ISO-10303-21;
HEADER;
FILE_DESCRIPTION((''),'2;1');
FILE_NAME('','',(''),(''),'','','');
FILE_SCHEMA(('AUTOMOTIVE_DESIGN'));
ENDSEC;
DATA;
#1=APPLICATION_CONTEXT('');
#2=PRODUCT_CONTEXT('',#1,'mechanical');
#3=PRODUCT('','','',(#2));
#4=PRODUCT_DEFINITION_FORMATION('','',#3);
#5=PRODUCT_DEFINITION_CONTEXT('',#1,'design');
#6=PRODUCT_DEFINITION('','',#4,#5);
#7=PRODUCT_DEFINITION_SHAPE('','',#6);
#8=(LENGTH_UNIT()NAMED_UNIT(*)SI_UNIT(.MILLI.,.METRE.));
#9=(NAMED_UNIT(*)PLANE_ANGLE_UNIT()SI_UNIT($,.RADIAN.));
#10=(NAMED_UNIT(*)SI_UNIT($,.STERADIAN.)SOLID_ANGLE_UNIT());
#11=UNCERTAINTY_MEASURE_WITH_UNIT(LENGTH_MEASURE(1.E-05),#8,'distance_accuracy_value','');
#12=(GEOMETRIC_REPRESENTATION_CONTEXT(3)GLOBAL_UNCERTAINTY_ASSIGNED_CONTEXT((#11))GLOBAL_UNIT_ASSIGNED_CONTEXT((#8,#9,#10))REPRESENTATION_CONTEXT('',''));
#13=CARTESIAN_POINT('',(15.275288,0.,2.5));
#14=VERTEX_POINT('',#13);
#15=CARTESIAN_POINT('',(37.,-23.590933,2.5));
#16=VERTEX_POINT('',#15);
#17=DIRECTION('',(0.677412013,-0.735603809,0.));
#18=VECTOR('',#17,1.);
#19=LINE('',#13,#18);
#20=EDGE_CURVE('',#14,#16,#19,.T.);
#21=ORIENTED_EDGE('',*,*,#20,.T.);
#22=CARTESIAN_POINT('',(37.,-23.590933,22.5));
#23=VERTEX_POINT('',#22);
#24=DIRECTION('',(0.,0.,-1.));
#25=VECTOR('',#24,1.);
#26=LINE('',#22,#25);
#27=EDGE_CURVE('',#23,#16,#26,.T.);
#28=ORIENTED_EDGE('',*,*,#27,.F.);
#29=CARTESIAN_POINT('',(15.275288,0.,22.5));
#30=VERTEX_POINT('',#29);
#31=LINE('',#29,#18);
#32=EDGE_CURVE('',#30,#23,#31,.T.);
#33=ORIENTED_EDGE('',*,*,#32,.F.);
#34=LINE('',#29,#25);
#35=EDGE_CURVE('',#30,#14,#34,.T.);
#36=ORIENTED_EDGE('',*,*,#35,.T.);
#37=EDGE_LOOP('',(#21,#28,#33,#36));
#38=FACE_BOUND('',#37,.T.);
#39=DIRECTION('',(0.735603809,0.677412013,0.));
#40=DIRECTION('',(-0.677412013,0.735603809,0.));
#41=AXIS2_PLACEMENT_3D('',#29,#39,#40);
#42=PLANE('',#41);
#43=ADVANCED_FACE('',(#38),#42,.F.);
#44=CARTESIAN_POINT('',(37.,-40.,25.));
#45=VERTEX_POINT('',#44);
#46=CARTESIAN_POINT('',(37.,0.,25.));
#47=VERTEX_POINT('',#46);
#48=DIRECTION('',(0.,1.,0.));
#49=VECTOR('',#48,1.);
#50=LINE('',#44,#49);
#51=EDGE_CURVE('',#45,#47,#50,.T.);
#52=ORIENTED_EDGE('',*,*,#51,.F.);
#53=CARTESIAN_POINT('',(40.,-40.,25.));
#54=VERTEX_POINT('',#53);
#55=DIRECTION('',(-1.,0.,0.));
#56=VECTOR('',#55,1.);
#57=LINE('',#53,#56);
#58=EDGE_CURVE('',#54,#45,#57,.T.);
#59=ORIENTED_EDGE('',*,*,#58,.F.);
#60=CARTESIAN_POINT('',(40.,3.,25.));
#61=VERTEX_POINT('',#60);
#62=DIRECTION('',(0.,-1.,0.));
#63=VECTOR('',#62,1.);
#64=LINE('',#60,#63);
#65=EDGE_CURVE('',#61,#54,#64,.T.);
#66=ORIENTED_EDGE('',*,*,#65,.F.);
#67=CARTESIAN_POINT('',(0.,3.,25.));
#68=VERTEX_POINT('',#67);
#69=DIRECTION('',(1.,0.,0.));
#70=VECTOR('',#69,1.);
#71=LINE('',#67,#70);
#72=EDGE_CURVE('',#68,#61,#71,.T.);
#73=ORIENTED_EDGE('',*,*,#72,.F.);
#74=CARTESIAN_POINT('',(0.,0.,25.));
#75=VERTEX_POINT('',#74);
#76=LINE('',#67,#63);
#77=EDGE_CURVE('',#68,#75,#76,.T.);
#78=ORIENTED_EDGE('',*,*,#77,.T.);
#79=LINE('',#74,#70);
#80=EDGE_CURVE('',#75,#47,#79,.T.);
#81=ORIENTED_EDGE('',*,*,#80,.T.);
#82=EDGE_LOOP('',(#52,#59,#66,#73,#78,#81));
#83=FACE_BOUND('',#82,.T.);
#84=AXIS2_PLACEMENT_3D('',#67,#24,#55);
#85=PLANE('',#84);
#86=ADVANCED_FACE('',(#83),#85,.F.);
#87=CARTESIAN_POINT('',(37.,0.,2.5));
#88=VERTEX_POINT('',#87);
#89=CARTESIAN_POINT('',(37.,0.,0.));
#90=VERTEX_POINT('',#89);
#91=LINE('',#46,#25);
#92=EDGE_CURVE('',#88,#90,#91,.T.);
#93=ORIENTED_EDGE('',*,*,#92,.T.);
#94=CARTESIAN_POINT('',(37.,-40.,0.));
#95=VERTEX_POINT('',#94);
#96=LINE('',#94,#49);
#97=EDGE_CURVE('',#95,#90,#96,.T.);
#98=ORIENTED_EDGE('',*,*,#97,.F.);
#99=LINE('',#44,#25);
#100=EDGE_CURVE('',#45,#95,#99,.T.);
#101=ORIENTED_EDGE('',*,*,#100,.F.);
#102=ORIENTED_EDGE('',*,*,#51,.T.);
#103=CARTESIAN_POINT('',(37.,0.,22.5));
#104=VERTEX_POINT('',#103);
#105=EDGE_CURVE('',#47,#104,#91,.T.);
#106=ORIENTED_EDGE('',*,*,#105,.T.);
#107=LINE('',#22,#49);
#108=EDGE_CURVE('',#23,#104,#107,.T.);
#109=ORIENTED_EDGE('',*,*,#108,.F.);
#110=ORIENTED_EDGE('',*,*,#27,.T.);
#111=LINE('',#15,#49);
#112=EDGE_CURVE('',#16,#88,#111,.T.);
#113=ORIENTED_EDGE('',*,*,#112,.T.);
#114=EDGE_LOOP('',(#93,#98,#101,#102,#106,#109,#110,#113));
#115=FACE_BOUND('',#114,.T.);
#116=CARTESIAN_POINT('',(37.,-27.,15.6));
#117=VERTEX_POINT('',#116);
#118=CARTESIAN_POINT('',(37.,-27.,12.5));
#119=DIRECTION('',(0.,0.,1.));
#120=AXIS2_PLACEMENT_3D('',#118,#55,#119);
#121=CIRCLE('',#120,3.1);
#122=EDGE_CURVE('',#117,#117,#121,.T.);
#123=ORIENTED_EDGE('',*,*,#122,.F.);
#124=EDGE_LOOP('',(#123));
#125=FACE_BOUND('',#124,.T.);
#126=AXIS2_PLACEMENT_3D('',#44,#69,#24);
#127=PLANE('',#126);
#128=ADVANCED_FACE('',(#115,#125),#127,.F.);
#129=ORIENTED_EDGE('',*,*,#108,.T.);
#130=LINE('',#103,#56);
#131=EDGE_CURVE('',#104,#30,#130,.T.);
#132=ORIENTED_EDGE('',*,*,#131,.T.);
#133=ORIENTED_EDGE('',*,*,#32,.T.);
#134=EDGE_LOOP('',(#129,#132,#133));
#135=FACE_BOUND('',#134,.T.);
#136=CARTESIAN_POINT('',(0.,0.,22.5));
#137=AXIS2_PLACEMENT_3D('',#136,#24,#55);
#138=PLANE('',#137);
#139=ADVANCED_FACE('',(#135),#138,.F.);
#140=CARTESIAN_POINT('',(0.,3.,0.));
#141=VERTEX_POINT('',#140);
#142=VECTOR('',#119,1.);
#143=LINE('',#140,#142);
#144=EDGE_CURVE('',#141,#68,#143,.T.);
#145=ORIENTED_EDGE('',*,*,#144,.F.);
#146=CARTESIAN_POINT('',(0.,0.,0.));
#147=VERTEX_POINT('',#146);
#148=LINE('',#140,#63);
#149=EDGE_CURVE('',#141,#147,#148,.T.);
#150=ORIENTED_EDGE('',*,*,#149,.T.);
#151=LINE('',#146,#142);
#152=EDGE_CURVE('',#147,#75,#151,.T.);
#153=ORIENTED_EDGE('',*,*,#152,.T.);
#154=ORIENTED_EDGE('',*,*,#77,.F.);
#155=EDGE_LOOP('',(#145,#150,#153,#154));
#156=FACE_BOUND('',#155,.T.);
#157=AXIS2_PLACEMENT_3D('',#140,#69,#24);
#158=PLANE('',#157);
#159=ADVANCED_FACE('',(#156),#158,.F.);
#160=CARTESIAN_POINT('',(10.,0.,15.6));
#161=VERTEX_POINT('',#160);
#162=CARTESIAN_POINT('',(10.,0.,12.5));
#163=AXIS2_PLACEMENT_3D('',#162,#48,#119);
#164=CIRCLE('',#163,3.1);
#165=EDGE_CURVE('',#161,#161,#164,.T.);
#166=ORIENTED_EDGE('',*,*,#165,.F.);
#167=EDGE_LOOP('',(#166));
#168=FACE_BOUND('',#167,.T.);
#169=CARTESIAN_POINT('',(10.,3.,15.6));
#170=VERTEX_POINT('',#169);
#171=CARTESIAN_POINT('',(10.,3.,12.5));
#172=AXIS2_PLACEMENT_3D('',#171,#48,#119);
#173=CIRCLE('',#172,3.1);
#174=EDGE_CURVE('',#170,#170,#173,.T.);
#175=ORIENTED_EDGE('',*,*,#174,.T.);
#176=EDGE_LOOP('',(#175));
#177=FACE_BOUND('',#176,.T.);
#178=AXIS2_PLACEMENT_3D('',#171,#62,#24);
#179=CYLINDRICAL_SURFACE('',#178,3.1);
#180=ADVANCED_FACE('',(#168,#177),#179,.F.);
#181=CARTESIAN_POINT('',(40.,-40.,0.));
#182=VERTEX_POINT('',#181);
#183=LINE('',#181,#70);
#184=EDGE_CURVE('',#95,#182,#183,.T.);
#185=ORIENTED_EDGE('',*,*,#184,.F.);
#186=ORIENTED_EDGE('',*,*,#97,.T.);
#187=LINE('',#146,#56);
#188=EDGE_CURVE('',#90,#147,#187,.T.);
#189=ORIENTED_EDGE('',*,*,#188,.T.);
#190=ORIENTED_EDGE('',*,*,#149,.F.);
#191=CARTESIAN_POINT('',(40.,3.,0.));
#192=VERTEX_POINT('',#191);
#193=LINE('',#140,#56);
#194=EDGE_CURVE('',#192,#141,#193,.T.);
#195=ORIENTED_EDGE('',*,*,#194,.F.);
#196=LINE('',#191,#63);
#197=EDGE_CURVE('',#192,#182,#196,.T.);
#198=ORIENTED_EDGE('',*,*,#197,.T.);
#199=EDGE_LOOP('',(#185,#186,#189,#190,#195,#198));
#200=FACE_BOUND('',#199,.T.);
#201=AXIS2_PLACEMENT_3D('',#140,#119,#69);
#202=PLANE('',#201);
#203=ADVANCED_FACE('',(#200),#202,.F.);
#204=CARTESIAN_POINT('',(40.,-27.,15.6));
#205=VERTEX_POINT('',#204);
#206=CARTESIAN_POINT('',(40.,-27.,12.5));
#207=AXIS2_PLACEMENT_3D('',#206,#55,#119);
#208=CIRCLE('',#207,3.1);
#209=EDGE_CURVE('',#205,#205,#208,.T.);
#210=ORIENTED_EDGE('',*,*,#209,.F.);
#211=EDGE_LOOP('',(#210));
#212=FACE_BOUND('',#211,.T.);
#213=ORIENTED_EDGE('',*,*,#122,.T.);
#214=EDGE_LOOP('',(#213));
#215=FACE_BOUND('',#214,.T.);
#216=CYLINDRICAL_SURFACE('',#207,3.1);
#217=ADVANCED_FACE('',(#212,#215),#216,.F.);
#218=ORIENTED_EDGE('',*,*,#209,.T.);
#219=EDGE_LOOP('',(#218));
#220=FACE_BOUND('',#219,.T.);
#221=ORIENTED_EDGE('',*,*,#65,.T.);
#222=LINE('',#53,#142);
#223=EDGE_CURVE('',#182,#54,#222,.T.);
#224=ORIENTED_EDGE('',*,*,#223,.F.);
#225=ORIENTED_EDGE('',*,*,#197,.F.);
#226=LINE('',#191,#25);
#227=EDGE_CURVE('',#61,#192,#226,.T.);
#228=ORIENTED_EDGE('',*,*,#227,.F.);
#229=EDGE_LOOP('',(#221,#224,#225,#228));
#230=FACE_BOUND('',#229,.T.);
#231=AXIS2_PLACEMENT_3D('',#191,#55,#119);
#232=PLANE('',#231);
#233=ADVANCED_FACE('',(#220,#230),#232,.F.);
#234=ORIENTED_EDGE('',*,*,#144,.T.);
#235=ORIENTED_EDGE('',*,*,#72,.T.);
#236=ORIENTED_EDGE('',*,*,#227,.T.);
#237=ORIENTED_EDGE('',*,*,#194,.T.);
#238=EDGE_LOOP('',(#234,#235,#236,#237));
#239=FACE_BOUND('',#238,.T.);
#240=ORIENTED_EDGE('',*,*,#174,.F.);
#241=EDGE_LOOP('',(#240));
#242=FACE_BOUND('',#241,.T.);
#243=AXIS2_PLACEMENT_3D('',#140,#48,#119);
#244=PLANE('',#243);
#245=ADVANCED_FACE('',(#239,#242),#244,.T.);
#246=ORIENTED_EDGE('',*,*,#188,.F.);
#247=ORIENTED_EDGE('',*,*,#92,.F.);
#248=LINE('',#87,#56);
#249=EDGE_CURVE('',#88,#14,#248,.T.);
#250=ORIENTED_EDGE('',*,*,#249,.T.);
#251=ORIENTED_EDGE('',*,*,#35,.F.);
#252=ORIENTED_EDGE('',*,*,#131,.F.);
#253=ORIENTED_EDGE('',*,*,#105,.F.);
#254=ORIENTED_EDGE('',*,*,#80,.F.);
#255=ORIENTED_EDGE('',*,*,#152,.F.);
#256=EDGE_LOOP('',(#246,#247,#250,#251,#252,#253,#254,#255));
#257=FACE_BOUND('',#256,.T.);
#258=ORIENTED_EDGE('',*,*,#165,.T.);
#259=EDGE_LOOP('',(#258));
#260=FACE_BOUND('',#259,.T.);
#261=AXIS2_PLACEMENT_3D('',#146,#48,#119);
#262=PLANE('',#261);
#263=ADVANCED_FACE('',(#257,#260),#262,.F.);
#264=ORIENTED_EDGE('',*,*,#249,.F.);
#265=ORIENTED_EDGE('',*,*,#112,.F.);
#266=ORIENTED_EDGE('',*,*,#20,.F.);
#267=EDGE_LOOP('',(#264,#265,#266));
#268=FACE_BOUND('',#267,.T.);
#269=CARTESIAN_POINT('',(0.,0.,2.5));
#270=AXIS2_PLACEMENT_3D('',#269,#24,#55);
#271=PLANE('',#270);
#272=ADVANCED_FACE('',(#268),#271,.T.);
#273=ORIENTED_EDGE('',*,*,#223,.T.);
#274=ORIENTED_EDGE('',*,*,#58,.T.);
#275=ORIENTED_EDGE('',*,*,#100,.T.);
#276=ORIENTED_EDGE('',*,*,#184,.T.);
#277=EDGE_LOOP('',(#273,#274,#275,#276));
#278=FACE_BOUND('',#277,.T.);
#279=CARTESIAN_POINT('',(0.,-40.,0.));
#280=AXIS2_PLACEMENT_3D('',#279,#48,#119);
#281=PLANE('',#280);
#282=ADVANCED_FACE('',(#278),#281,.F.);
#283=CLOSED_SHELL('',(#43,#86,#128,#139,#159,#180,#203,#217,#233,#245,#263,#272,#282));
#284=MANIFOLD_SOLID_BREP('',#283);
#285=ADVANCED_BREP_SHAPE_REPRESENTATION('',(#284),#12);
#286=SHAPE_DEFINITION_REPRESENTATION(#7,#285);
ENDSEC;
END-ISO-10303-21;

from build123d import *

# Parameters (mm, degrees)
SKETCH1_W           = 40
SKETCH1_H           = 25
SKETCH1_R           = 3.1
BOSS_EXTRUDE1_DEPTH = 3
SKETCH2_W           = 3
SKETCH2_H           = 25
BOSS_EXTRUDE2_DEPTH = 40
SKETCH3_R           = 3.1
CUT_EXTRUDE1_DEPTH  = 60.949979149
BOSS_EXTRUDE3_DEPTH = 10


with BuildPart() as part:
    # Sketch1 → Boss-Extrude1 (new body)
    with BuildSketch(Plane(origin=(0, 0, 0), x_dir=(1, 0, 0), z_dir=(0, 1, 0))):
        with Locations((20, -12.5)):
            Rectangle(SKETCH1_W, SKETCH1_H)
        with Locations(Location((10, -12.5, 0), (0, 0, 270))):
            Circle(SKETCH1_R, mode=Mode.SUBTRACT)
    extrude(amount=BOSS_EXTRUDE1_DEPTH)

    # Sketch2 → Boss-Extrude2 (add)
    with BuildSketch(Plane.XZ):
        with Locations((38.5, 12.5)):
            Rectangle(SKETCH2_W, SKETCH2_H)
    extrude(amount=BOSS_EXTRUDE2_DEPTH)

    # Sketch3 → Cut-Extrude1 (cut, through all)
    with BuildSketch(Plane.ZY.offset(-37)):
        with Locations((12.5, -27)):
            Circle(SKETCH3_R)
    extrude(amount=-CUT_EXTRUDE1_DEPTH, mode=Mode.SUBTRACT)

    # Sketch4 → Boss-Extrude3 (add, symmetric)
    with BuildSketch(Plane.XY.offset(12.5)):
        Polygon((15.275287554, 0), (37, -23.590932737), (37, 0), align=None)
    extrude(amount=BOSS_EXTRUDE3_DEPTH, both=True)


solid = part.part
